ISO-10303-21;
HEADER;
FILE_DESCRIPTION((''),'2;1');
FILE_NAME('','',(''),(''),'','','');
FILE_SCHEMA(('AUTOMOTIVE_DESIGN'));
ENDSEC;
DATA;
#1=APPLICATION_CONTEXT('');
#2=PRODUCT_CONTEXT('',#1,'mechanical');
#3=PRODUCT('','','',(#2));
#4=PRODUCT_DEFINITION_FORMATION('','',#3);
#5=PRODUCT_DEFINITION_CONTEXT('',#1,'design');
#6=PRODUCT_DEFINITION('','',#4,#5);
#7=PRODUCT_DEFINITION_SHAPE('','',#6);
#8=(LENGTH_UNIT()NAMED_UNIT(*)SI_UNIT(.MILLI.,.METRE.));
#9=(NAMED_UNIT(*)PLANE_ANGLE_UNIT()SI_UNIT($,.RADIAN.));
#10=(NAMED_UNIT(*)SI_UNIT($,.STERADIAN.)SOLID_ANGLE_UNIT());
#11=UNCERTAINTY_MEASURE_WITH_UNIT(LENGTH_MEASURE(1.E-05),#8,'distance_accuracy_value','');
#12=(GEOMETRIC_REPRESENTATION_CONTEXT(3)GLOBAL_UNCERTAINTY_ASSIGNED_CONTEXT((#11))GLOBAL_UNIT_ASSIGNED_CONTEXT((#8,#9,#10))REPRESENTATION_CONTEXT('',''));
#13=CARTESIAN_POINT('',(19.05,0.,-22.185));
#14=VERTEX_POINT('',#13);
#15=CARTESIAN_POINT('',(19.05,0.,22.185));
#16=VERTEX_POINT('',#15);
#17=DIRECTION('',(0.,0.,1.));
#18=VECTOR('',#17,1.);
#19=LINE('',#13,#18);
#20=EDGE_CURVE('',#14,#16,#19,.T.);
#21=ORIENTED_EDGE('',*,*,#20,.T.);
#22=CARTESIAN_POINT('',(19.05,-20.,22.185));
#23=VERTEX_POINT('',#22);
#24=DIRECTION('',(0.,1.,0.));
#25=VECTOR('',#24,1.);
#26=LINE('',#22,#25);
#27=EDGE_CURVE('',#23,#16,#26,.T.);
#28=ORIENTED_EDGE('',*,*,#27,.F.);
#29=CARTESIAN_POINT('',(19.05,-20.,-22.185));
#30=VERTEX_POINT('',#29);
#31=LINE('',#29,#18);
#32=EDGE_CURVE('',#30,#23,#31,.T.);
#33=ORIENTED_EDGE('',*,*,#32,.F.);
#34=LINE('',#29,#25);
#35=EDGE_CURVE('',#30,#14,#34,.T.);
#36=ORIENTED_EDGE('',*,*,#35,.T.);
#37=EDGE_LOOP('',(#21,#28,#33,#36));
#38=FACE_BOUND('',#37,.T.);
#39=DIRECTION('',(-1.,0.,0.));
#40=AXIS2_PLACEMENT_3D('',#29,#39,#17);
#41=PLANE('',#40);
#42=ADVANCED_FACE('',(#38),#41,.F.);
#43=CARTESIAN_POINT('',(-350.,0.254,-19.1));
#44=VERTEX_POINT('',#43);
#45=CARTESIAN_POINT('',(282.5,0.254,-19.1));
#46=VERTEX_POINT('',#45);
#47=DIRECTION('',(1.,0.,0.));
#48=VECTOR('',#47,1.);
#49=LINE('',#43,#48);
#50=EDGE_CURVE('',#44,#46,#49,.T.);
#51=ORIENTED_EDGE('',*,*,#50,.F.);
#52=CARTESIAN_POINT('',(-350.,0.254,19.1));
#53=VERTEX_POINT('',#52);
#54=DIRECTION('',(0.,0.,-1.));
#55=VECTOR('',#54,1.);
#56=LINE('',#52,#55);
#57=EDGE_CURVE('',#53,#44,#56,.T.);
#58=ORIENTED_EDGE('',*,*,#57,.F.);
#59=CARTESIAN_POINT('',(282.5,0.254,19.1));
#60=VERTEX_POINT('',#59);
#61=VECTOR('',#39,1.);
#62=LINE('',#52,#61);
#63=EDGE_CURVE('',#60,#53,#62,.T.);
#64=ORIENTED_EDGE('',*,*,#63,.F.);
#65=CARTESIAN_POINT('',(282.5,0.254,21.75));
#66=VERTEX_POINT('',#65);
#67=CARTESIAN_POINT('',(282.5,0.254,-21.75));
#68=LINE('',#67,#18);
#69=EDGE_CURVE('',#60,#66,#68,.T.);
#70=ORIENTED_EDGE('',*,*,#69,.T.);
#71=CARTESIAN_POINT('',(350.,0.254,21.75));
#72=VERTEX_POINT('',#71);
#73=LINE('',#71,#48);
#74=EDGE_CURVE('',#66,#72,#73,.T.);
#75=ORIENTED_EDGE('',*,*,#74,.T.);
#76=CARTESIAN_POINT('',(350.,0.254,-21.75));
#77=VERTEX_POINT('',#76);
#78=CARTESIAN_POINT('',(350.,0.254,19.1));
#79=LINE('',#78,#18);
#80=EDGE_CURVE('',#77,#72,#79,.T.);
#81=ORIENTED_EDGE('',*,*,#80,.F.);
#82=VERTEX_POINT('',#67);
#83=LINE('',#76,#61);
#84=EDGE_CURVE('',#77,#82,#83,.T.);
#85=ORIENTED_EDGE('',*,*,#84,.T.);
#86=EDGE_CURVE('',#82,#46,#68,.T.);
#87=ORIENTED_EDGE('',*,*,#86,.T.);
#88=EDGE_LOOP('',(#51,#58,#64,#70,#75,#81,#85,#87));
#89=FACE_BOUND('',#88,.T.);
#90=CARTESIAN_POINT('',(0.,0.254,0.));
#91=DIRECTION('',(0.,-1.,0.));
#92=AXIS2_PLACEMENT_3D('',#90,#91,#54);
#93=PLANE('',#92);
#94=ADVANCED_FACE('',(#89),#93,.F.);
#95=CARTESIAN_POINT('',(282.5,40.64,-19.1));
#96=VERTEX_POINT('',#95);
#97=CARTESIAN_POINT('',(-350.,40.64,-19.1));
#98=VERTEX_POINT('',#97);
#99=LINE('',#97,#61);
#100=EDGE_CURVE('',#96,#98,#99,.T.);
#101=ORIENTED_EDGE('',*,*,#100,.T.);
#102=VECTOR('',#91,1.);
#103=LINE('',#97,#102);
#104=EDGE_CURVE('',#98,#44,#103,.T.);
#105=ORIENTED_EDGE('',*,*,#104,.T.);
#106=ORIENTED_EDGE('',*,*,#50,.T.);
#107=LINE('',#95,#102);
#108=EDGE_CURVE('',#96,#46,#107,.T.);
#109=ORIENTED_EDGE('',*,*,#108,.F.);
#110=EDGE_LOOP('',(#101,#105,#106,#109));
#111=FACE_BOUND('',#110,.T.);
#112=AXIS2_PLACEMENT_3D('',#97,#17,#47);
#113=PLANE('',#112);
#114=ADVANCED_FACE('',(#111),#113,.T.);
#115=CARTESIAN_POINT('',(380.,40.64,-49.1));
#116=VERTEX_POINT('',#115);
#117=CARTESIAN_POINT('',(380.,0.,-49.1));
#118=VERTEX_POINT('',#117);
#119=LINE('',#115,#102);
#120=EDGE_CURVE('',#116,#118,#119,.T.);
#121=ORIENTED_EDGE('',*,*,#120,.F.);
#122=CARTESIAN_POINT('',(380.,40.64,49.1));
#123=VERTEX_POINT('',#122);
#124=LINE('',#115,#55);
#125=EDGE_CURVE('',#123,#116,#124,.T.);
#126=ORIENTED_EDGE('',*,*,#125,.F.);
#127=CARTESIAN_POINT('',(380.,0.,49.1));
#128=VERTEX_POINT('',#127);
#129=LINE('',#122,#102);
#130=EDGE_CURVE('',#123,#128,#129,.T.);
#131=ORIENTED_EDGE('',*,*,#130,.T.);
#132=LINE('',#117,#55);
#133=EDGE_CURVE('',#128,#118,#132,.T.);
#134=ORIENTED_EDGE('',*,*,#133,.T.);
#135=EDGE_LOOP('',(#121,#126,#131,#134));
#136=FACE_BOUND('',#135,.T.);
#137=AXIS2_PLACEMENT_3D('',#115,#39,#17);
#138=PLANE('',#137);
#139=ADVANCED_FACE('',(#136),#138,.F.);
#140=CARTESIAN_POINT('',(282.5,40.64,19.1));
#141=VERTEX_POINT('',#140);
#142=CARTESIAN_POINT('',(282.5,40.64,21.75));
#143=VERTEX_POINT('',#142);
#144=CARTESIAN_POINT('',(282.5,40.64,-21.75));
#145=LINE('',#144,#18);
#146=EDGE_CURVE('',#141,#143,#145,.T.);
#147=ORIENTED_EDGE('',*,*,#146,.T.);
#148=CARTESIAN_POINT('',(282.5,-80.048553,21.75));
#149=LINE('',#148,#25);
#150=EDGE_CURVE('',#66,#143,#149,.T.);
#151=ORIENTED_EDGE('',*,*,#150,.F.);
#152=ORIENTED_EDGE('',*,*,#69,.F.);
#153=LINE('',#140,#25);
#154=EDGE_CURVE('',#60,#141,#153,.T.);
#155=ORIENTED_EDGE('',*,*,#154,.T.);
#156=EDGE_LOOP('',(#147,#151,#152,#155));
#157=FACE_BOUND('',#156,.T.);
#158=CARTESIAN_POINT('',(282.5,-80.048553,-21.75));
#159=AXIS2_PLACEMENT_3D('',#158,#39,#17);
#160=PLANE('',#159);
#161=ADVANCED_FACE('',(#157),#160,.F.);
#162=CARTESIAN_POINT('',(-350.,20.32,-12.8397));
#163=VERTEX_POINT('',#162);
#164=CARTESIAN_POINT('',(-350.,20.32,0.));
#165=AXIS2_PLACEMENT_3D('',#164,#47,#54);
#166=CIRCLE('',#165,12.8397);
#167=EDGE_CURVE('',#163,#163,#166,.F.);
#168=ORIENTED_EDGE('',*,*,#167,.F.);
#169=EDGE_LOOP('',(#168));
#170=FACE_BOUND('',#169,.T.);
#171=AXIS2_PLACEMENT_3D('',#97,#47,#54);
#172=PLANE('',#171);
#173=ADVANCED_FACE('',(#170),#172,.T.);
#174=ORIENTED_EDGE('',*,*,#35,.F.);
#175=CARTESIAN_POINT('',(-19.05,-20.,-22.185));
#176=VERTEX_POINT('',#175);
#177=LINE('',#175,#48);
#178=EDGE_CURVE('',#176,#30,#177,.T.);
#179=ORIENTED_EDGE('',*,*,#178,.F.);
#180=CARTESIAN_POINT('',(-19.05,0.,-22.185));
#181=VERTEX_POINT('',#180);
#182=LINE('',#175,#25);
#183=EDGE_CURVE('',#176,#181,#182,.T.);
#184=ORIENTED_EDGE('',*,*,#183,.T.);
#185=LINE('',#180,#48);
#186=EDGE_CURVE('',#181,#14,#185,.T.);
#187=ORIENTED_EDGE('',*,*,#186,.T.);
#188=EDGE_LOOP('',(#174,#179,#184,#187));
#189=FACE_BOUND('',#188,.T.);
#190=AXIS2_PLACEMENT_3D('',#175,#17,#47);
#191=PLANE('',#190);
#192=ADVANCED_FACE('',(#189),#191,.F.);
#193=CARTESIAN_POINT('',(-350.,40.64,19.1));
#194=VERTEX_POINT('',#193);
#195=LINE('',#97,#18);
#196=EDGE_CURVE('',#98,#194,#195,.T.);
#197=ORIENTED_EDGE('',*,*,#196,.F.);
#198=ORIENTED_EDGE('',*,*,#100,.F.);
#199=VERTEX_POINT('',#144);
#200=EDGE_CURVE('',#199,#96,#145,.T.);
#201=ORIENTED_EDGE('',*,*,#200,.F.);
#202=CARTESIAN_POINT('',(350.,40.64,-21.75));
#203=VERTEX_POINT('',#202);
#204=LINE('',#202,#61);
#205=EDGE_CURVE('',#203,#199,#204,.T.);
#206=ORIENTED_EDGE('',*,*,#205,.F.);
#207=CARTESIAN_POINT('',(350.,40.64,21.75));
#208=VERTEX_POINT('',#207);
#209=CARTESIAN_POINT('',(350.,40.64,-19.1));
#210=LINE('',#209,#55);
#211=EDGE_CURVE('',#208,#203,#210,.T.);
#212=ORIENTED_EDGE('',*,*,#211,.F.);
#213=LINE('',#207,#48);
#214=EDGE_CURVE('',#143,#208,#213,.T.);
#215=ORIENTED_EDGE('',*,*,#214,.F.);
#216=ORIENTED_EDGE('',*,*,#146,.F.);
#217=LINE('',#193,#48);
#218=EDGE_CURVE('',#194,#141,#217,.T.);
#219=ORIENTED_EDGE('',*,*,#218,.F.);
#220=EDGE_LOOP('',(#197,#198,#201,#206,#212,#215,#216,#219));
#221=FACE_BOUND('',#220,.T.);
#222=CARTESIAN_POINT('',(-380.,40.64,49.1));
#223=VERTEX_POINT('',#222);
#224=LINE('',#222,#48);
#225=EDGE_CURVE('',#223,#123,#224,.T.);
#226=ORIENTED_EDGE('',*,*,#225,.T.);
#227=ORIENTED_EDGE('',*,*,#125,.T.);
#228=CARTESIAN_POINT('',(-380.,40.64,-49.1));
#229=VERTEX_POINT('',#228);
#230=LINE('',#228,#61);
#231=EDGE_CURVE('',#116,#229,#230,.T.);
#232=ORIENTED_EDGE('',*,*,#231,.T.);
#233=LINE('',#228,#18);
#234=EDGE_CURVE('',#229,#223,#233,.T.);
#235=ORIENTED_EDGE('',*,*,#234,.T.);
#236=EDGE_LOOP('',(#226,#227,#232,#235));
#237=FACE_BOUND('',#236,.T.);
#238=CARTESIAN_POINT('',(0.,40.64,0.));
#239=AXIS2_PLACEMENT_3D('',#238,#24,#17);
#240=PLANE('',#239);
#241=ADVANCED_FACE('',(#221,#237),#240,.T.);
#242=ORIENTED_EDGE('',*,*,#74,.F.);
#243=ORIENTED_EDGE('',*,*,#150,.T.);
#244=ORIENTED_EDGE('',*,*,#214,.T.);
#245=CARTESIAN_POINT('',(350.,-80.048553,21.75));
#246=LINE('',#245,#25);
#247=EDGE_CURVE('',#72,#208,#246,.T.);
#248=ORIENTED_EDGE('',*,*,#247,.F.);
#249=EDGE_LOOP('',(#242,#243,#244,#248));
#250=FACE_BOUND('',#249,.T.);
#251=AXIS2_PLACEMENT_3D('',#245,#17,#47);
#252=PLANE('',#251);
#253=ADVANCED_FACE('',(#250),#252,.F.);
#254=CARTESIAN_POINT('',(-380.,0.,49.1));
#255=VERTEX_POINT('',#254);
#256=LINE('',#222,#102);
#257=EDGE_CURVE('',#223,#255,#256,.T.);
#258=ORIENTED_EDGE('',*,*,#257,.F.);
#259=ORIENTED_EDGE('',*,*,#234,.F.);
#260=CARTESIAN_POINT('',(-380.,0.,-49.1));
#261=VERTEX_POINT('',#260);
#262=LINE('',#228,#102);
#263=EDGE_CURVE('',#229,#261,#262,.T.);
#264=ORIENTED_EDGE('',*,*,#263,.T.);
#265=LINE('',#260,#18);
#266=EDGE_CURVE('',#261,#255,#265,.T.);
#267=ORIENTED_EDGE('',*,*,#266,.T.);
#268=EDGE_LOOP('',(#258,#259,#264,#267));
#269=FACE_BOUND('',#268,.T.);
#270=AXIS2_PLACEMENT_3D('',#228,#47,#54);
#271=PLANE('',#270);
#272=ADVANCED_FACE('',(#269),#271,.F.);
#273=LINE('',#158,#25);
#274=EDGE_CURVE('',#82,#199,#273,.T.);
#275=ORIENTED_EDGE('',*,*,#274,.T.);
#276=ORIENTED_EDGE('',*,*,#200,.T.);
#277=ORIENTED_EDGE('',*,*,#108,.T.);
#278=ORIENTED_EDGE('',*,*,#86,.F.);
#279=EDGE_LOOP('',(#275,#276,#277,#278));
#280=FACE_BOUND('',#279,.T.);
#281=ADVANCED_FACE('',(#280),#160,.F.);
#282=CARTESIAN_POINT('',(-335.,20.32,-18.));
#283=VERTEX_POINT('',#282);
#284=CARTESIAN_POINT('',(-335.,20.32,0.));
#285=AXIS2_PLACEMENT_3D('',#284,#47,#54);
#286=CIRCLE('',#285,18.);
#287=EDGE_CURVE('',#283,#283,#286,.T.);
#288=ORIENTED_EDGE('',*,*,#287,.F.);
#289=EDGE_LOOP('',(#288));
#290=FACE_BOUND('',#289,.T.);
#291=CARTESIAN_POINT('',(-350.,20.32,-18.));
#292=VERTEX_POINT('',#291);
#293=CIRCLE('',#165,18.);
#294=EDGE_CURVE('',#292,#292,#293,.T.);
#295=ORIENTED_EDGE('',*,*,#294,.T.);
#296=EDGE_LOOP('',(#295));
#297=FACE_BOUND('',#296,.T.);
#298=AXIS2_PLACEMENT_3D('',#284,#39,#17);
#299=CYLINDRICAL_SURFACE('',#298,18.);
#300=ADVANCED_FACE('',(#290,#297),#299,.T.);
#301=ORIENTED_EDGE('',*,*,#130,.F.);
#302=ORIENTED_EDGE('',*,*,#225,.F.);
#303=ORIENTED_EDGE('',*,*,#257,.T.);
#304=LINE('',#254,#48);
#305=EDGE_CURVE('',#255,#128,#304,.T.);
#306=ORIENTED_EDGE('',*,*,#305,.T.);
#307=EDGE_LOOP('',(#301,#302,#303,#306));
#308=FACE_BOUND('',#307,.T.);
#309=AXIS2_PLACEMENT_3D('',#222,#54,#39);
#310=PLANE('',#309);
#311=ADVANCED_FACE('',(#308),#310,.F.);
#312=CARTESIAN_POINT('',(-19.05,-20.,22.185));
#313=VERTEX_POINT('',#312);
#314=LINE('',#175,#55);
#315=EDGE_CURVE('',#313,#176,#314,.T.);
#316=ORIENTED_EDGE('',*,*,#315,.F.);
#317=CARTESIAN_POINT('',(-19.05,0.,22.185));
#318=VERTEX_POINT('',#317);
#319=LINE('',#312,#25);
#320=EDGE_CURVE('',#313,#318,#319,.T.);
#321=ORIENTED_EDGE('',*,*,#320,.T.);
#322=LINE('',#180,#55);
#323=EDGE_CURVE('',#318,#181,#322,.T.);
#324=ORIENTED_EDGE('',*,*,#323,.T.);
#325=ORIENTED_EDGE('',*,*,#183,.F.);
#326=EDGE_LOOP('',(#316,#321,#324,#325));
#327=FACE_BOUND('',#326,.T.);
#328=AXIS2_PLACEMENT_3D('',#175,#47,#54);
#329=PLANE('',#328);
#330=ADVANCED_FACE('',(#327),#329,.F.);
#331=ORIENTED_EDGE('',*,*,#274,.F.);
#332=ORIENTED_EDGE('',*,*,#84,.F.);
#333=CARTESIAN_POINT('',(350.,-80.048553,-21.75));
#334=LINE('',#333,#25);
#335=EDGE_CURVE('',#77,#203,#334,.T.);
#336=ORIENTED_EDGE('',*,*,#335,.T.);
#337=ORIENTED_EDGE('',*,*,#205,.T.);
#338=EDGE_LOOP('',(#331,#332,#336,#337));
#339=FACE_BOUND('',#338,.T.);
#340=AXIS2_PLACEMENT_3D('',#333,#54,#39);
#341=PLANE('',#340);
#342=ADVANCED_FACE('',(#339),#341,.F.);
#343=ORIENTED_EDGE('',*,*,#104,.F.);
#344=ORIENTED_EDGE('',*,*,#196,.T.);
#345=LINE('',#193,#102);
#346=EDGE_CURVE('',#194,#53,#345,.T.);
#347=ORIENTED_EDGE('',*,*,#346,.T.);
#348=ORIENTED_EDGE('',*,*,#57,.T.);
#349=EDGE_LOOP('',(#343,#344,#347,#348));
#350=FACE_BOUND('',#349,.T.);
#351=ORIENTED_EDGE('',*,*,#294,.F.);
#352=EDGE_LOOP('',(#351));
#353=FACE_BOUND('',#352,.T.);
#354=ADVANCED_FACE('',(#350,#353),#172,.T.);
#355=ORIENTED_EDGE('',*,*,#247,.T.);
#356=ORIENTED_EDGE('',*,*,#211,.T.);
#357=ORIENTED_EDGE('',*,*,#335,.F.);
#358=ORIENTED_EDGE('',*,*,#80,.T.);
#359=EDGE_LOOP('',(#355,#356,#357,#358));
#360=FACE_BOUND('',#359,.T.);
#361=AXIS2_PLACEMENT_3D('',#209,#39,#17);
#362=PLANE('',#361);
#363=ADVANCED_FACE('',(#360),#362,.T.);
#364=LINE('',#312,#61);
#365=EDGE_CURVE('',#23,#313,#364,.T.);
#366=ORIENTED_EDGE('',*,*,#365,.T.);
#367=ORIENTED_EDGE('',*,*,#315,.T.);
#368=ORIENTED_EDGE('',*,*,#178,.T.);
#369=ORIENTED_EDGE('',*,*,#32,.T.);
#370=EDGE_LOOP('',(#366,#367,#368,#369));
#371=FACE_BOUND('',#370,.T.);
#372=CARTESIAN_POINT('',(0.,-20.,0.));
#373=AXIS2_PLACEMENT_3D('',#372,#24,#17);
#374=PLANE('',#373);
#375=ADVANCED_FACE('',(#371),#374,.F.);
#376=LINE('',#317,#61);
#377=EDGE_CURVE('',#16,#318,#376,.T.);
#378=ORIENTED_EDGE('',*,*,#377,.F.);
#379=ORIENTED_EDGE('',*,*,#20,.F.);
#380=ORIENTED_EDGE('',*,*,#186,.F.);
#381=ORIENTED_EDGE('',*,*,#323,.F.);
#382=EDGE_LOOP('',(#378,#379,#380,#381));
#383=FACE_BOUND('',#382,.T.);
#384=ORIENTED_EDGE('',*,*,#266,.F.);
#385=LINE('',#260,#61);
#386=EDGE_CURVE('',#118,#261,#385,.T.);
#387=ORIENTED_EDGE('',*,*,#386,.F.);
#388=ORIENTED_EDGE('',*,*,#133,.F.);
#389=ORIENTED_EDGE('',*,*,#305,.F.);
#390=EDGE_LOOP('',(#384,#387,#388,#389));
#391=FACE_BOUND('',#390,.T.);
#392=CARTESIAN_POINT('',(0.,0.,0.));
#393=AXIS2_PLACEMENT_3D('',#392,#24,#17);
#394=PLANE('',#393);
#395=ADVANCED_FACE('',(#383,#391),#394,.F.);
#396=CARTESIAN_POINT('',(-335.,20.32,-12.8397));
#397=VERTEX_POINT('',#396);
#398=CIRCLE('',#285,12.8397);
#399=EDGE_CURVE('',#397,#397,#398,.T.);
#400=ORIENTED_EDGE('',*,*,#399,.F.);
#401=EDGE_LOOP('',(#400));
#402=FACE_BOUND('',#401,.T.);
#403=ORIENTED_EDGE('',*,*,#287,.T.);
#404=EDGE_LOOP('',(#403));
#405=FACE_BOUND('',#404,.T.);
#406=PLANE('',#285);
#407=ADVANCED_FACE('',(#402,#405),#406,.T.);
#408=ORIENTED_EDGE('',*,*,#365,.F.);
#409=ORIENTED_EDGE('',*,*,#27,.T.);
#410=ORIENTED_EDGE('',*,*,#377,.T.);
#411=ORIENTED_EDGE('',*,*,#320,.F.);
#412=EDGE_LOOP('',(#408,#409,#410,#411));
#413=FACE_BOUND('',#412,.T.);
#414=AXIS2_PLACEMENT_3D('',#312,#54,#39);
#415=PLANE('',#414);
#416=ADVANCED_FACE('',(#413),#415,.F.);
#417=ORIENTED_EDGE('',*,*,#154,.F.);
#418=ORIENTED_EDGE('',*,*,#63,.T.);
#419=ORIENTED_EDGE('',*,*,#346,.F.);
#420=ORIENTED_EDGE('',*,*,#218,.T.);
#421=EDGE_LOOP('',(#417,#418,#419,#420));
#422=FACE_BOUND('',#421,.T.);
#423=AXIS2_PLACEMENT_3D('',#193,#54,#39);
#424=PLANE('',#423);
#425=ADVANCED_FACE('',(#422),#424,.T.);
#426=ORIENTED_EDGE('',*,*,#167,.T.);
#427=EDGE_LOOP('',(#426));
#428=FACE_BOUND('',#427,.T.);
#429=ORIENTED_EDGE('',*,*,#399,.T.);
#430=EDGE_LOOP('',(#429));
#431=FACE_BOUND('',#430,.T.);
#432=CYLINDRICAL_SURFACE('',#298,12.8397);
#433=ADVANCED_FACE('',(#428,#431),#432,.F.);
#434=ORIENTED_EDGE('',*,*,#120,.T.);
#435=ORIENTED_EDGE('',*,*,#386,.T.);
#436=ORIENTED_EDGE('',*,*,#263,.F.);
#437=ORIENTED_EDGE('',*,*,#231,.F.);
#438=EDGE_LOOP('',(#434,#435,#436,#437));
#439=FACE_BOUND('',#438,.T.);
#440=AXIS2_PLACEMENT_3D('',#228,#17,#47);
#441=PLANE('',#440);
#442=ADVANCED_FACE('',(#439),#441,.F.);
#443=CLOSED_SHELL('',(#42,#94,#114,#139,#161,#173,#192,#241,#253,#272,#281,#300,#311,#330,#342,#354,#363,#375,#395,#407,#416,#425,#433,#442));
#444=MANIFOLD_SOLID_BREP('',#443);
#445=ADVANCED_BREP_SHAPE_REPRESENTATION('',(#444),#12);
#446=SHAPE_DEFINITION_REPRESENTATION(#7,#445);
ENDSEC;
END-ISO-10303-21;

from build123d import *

# Parameters (mm, degrees)
SKETCH1_W           = 760
SKETCH1_H           = 98.2
SKETCH1_W_2         = 700
SKETCH1_H_2         = 38.2
BOSS_EXTRUDE3_DEPTH = 40.64
SKETCH2_W           = 700
SKETCH2_H           = 38.2
BOSS_EXTRUDE4_DEPTH = 0.254
SKETCH3_W           = 67.5
SKETCH3_H           = 43.5
CUT_EXTRUDE1_DEPTH  = 40.386
SKETCH6_R           = 18
SKETCH6_R_2         = 12.8397
BOSS_EXTRUDE5_DEPTH = 15
SKETCH7_W           = 38.1
SKETCH7_H           = 44.37
BOSS_EXTRUDE6_DEPTH = 20


with BuildPart() as part:
    # Sketch1 → Boss-Extrude3 (new body)
    with BuildSketch(Plane(origin=(0, 0, 0), x_dir=(1, 0, 0), z_dir=(0, 1, 0))):
        Rectangle(SKETCH1_W, SKETCH1_H)
        Rectangle(SKETCH1_W_2, SKETCH1_H_2, mode=Mode.SUBTRACT)
    extrude(amount=BOSS_EXTRUDE3_DEPTH)

    # Sketch2 → Boss-Extrude4 (add)
    with BuildSketch(Plane.XZ):
        Rectangle(SKETCH2_W, SKETCH2_H)
    extrude(amount=-BOSS_EXTRUDE4_DEPTH)

    # Sketch3 → Cut-Extrude1 (cut)
    with BuildSketch(Plane(origin=(0, 40.64, 0), x_dir=(1, 0, 0), z_dir=(0, 1, 0))):
        with Locations((316.25, 0)):
            Rectangle(SKETCH3_W, SKETCH3_H)
    extrude(amount=-CUT_EXTRUDE1_DEPTH, mode=Mode.SUBTRACT)

    # Sketch6 → Boss-Extrude5 (add)
    with BuildSketch(Plane(origin=(-350, 0, 0), x_dir=(0, 0, -1), z_dir=(1, 0, 0))):
        with Locations((0, 20.32)):
            Circle(SKETCH6_R)
        with Locations((0, 20.32)):
            Circle(SKETCH6_R_2, mode=Mode.SUBTRACT)
    extrude(amount=BOSS_EXTRUDE5_DEPTH)

    # Sketch7 → Boss-Extrude6 (add)
    with BuildSketch(Plane.XZ):
        Rectangle(SKETCH7_W, SKETCH7_H)
    extrude(amount=BOSS_EXTRUDE6_DEPTH)


solid = part.part
